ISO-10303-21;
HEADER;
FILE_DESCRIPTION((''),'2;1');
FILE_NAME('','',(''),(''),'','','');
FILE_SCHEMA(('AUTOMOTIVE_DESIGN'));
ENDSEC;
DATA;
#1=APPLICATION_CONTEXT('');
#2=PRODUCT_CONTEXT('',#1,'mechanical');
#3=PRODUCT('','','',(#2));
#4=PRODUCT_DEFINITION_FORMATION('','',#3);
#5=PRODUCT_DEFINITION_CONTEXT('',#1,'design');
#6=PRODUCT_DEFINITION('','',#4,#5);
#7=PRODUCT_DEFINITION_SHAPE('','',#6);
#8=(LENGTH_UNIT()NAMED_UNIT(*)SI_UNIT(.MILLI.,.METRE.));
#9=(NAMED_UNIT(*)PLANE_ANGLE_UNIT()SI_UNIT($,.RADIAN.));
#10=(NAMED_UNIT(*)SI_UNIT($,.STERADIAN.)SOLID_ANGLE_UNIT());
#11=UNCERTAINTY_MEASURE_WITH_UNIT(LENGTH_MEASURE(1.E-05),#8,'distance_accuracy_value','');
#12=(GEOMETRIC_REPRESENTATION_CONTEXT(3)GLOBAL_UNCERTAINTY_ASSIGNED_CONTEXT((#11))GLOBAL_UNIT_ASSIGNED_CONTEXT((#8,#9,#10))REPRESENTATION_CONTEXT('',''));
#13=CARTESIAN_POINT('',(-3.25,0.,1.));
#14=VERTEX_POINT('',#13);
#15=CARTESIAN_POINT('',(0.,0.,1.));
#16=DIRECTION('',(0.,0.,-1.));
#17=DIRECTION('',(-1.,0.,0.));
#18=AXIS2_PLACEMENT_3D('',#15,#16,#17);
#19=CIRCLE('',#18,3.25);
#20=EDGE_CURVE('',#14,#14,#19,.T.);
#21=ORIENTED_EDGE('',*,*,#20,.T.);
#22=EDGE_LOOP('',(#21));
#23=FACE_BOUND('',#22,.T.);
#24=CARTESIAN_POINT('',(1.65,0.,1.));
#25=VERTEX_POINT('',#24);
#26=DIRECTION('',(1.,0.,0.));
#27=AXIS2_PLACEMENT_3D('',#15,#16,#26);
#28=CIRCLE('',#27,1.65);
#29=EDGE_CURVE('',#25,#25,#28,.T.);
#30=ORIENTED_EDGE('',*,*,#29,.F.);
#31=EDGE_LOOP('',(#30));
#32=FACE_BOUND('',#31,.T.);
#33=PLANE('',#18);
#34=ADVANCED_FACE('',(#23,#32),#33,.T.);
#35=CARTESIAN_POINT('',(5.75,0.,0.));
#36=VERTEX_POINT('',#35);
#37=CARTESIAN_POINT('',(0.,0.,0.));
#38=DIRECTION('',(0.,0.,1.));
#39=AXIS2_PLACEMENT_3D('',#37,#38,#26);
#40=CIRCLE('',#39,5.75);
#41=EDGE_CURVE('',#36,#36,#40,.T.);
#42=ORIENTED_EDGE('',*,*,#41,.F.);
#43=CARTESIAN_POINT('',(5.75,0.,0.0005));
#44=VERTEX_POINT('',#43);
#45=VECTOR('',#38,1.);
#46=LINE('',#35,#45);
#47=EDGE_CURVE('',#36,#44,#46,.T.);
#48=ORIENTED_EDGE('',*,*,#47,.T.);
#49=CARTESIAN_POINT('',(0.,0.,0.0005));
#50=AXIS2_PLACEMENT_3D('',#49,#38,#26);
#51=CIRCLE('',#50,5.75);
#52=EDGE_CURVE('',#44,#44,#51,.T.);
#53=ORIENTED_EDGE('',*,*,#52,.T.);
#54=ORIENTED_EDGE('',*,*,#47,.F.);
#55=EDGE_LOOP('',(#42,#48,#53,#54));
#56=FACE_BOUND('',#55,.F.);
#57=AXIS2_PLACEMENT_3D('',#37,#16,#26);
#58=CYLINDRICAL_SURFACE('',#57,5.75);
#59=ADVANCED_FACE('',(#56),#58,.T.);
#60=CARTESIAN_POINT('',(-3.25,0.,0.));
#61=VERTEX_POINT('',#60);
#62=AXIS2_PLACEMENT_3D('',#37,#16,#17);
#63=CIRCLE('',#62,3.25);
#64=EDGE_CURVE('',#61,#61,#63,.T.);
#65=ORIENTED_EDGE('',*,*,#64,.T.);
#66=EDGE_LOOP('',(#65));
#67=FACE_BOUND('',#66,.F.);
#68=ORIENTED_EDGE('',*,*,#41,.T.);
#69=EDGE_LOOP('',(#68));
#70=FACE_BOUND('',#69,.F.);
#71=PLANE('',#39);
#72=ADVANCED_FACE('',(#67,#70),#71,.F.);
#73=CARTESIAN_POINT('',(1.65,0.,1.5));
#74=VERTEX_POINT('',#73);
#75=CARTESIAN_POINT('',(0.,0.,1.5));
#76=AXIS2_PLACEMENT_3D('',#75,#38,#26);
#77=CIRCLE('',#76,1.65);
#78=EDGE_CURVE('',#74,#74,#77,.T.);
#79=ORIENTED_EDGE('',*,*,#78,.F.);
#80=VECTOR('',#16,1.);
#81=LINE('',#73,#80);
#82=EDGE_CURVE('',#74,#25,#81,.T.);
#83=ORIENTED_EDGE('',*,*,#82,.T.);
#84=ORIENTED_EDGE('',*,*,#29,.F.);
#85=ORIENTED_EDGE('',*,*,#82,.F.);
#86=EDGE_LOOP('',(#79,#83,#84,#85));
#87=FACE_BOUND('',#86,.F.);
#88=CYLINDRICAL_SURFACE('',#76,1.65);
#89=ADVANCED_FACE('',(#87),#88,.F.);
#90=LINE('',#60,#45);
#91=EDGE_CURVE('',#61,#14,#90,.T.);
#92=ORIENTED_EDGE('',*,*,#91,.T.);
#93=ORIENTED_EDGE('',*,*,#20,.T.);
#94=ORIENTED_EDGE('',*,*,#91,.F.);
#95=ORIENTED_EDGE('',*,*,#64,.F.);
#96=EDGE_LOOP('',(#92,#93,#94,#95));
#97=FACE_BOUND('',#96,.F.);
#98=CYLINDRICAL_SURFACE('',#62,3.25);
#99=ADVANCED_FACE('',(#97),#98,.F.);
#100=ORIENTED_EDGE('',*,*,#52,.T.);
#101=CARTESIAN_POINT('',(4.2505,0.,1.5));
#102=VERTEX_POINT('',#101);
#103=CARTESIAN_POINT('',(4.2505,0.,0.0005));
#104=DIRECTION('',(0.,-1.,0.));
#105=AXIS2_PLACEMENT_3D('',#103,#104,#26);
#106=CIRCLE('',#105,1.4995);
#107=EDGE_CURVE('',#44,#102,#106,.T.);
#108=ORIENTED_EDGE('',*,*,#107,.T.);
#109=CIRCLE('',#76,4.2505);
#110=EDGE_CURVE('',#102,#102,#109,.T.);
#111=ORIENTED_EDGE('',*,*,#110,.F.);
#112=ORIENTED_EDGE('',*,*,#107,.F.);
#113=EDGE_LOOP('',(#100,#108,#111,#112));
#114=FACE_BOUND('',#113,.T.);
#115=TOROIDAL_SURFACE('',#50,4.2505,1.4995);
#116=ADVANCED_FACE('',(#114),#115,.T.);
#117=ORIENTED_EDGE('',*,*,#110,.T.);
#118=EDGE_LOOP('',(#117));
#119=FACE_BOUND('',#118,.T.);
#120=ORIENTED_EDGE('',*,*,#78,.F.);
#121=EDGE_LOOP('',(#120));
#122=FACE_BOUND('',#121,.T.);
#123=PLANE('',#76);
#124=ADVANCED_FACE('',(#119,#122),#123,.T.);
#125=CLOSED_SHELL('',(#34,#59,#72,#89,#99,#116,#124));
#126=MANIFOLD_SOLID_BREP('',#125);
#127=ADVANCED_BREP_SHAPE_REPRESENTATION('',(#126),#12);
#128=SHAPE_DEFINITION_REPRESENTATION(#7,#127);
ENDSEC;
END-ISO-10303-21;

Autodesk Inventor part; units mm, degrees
ref_plane "YZ Plane" through (0, 0, 0) normal (1, 0, 0) x (0, 1, 0)
ref_plane "XZ Plane" through (0, 0, 0) normal (0, 1, 0) x (-1, 0, 0)
ref_plane "XY Plane" through (0, 0, 0) normal (0, 0, 1) x (1, 0, 0)
sketch "Sketch1" plane through (0, 0, 0) normal (0, 0, 1) x (1, 0, 0)
  circle A0 centre (0, 0) radius 5.75
  dimension "d0" = 11.5
extrude "Extrusion1" add sketch "Sketch1" along normal blind 1.5
fillet "Fillet1" radius 1.5 1 edges at (-5.75, 0, 1.5)
sketch "Sketch2" plane through (0, 0, 1.5) normal (0, 0, 1) x (1, 0, 0)
  circle A0 centre (0, 0) radius 1.65
  dimension "d4" = 3.3
extrude "Extrusion2" cut sketch "Sketch2" against normal blind 1.5
sketch "Sketch3" plane through (0, 0, 0) normal (0, 0, -1) x (-1, 0, 0)
  circle A0 centre (0, 0) radius 1.65 projected
  circle A1 centre (0, 0) radius 5.75 projected
  circle A2 centre (0, 0) radius 3.25
  dimension "d7" = 6.5
extrude "Extrusion3" cut sketch "Sketch3" against normal blind 1 contours A2
properties part number "Spacer_Top_Plate_Bearing"
